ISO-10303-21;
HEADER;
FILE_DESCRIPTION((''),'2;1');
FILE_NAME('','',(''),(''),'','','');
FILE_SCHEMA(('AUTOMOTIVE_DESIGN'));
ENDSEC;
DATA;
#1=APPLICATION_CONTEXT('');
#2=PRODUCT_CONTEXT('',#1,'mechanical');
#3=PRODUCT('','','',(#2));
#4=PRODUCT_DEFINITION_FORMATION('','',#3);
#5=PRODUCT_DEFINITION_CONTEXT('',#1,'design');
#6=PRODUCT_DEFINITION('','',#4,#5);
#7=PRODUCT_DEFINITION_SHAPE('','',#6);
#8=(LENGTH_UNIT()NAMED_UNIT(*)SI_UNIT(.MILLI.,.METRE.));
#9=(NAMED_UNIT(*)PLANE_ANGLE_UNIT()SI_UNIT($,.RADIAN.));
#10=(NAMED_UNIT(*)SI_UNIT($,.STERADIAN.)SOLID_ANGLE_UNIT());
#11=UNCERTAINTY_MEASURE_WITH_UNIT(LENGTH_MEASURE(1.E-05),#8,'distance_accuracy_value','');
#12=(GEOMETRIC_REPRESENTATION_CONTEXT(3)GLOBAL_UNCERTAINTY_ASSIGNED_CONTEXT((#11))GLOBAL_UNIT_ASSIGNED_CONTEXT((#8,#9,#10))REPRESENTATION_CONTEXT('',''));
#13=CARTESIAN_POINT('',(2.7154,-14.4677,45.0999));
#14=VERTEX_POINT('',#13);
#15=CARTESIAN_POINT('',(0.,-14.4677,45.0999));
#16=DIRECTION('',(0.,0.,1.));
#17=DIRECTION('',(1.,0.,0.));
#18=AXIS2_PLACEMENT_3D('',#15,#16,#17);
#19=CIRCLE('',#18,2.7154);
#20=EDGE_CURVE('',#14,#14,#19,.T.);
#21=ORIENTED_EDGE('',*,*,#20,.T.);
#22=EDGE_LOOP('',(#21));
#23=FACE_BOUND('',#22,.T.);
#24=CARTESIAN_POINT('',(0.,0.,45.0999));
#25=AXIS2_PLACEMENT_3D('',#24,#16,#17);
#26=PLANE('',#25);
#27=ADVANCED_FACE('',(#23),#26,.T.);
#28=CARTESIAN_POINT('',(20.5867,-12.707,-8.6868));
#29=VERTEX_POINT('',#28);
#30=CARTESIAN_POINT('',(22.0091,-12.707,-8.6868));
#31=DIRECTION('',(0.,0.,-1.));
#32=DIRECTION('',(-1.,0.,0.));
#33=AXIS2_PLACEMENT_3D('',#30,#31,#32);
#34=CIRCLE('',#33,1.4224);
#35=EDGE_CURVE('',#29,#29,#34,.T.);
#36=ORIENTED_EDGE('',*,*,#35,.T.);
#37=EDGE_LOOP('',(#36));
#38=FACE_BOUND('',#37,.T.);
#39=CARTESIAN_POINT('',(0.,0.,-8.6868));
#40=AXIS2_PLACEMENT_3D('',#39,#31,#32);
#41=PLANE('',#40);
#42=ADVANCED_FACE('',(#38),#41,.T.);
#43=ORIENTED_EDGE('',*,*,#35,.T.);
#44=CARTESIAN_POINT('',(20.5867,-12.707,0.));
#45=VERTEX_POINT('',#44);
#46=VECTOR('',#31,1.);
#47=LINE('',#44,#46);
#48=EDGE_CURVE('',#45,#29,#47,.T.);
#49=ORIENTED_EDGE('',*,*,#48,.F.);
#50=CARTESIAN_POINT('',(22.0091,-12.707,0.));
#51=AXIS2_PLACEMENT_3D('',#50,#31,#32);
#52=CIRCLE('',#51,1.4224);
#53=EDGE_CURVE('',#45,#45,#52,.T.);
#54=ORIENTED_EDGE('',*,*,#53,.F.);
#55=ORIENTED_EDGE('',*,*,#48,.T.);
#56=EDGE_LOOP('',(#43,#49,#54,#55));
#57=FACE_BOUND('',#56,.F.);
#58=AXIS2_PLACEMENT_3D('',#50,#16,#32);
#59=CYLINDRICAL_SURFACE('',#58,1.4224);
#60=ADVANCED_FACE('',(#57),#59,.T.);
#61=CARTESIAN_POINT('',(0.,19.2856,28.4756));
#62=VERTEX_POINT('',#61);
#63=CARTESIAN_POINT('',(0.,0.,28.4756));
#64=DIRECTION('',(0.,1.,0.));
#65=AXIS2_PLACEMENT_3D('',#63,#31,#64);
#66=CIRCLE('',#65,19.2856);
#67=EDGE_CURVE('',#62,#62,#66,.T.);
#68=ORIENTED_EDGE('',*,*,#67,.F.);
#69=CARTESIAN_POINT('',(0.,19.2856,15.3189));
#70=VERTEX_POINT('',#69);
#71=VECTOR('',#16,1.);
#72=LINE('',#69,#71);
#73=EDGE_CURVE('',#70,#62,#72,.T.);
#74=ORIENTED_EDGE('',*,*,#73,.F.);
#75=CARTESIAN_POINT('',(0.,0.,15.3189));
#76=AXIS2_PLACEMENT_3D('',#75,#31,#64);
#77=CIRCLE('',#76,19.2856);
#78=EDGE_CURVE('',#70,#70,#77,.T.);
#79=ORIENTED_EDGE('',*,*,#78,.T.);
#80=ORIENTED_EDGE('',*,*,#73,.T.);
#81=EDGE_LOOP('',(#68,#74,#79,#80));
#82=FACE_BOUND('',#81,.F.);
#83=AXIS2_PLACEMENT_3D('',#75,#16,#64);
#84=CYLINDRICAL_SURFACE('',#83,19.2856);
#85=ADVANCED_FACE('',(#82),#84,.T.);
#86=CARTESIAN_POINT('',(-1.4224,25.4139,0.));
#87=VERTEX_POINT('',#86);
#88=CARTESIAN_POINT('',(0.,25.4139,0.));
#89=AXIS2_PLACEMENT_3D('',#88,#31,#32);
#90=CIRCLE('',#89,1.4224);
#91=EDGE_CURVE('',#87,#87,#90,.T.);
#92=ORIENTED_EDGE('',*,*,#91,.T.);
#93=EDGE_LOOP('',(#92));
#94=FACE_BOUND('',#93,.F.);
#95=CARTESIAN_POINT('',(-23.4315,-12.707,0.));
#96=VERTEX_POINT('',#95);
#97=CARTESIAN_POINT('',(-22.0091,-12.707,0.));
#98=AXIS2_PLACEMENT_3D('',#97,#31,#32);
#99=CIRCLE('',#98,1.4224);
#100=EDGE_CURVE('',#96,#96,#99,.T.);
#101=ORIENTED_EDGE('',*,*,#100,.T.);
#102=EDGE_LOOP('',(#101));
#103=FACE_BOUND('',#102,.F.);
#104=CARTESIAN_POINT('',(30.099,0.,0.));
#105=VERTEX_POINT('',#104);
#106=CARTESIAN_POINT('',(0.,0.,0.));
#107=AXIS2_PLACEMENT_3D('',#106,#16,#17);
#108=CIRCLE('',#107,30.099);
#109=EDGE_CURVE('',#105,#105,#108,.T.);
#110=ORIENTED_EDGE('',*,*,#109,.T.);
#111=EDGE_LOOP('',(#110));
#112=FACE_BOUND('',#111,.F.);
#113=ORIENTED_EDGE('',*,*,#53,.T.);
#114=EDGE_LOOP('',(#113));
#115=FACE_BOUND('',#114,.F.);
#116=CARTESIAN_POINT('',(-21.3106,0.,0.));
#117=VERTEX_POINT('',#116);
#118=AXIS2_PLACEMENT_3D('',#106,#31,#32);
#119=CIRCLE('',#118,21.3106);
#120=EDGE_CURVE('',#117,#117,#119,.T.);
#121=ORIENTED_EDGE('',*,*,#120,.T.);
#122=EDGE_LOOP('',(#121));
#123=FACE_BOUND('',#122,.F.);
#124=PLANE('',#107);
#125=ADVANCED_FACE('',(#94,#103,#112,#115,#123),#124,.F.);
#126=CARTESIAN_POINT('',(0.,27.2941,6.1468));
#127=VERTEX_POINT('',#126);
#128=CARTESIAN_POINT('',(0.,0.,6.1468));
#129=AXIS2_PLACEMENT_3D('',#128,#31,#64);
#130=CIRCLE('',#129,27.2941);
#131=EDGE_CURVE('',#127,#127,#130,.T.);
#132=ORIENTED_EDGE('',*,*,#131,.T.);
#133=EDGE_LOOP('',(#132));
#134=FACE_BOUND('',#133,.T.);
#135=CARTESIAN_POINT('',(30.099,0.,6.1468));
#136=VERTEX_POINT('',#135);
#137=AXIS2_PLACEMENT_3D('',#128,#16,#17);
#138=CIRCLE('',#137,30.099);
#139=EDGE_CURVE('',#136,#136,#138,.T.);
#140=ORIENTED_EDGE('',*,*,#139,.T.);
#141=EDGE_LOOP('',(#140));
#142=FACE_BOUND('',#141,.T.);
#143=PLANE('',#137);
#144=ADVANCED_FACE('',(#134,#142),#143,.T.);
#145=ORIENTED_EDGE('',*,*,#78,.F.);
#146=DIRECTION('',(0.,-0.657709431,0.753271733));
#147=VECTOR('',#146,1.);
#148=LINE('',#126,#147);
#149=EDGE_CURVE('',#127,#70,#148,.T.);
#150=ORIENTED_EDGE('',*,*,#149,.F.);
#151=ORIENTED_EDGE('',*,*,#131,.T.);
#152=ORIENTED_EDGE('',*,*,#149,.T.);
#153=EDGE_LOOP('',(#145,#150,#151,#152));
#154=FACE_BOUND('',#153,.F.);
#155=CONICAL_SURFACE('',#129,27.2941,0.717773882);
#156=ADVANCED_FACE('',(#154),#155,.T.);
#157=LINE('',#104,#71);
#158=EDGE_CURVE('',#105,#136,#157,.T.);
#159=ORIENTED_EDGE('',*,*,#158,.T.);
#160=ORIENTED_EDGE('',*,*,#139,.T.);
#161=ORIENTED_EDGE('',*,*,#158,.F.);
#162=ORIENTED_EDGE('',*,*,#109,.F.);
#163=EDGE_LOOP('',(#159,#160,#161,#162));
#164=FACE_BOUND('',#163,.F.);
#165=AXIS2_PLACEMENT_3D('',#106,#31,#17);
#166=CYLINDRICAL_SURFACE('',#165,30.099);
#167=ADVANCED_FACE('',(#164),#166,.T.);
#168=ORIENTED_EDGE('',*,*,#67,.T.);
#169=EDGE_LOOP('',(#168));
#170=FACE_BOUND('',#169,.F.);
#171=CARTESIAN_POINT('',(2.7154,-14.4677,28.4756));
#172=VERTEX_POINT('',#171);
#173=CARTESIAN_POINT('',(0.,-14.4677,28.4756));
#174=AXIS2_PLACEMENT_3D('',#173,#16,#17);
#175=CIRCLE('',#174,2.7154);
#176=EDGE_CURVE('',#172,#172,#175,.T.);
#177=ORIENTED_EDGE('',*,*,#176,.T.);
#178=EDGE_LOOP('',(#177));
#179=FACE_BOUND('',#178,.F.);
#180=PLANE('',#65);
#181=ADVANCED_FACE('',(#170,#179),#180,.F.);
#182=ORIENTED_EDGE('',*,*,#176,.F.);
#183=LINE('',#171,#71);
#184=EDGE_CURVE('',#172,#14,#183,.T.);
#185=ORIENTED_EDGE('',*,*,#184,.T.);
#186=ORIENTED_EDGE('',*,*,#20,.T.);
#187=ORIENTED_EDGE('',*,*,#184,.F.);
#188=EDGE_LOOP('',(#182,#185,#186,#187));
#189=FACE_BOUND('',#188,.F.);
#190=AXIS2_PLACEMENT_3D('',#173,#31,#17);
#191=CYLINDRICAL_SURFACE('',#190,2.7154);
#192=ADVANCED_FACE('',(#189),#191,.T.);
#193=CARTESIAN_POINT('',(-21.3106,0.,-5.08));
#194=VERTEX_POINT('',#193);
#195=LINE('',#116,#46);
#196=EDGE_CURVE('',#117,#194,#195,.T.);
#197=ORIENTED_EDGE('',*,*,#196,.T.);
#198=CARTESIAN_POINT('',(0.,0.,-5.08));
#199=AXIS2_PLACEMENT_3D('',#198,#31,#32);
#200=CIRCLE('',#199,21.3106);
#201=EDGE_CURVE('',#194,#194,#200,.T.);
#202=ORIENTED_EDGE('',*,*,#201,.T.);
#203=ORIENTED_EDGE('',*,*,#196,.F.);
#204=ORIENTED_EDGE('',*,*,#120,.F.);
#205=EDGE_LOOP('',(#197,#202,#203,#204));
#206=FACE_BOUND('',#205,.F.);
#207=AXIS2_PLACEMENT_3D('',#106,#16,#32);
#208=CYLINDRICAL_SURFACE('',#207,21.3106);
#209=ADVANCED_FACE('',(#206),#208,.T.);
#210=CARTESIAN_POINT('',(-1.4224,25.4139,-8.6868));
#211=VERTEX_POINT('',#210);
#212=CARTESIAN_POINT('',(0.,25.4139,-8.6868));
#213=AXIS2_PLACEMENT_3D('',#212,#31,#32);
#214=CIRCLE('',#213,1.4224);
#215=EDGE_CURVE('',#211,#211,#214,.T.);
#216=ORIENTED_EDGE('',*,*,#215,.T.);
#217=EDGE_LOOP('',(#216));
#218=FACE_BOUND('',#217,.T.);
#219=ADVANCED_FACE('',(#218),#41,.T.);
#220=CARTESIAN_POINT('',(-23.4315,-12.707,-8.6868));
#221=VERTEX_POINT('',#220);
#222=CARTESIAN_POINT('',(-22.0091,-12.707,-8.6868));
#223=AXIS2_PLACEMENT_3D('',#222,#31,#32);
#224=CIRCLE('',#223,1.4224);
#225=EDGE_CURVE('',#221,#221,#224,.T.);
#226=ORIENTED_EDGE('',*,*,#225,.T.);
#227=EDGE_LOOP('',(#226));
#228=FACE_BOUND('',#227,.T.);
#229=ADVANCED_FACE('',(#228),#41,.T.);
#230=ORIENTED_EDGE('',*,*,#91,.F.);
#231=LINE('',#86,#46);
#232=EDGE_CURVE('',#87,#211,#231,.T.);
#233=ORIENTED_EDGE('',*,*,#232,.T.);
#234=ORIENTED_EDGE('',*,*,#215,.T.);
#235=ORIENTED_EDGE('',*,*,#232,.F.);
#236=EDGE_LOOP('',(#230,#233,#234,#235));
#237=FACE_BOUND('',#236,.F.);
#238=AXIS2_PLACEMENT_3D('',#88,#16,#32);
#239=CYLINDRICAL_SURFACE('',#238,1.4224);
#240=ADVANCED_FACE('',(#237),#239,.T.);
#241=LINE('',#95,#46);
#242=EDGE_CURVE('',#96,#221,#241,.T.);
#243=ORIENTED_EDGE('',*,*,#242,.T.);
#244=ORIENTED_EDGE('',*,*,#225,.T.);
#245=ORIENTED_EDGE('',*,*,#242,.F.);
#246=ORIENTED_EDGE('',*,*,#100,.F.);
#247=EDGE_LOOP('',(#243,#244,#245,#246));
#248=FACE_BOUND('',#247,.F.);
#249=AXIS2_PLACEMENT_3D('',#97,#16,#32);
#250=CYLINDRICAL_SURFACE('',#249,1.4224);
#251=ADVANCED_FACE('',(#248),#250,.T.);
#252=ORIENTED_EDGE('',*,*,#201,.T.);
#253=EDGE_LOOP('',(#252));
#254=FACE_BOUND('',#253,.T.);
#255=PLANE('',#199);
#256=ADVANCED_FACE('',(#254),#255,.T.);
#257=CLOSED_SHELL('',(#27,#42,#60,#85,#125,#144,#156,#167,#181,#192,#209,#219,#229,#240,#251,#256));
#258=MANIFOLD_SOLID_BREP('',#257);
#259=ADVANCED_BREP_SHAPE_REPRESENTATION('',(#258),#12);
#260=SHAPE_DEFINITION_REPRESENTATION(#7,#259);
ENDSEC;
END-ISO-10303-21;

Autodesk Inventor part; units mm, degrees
ref_plane "YZ Plane" through (0, 0, 0) normal (1, 0, 0) x (0, 1, 0)
ref_plane "XZ Plane" through (0, 0, 0) normal (0, 1, 0) x (-1, 0, 0)
ref_plane "XY Plane" through (0, 0, 0) normal (0, 0, 1) x (1, 0, 0)
sketch "Sketch1" plane through (0, 0, 0) normal (0, 0, 1) x (1, 0, 0)
  circle A0 centre (0, 0) radius 30.099
  dimension "d0" = 60.198
extrude "Extrusion1" add sketch "Sketch1" along normal blind 6.1468
sketch "Sketch2" plane through (0, 0, 0) normal (0, 0, -1) x (-1, 0, 0)
  circle A0 centre (0, 0) radius 21.3106
  dimension "d3" = 42.6212
extrude "Extrusion2" add sketch "Sketch2" along normal blind 5.08
sketch "Sketch3" plane through (0, 0, 0) normal (0, 0, -1) x (-1, 0, 0)
  circle A0 centre (0, 0) radius 21.3106 projected
  circle A1 centre (0, 0) radius 30.099 projected
  line L0 (0, 25.4139) -> (22.0091, -12.707) construction
  line L1 (22.0091, -12.707) -> (-22.0091, -12.707) construction
  line L2 (-22.0091, -12.707) -> (0, 25.4139) construction
  circle A2 centre (0, 25.4139) radius 1.4224
  circle A3 centre (22.0091, -12.707) radius 1.4224
  circle A4 centre (-22.0091, -12.707) radius 1.4224
  line L3 (-11.071, 20.6645) -> (5.4814, 30.221) construction
  line L4 (36.2551, -6.1245) -> (10.9127, -20.7559) construction
  dimension "d6" = 44.0182
  dimension "d7" = 2.8448
  dimension "d8" = 46.863
extrude "Extrusion3" add sketch "Sketch3" along normal blind 8.6868 contours A2 | A3 | A4
sketch "Sketch4" plane through (0, 0, 0) normal (1, 0, 0) x (0, 1, 0)
  line L0 (30.099, 6.1468) -> (-30.099, 6.1468) projected
  line L1 (27.2941, 6.1468) -> (19.2856, 15.3189)
  line L2 (19.2856, 15.3189) -> (19.2856, 28.4756)
  line L3 (19.2856, 28.4756) -> (0, 28.4756)
  line L4 (0, 28.4756) -> (0, 0)
  point P0 (0, 6.1468)
revolve "Revolution1" add sketch "Sketch4" angle 360 about axis through (0, 0, 28.4756) along (0, 0, -1)
sketch "Sketch5" plane through (0, 0, 28.4756) normal (0, 0, 1) x (1, 0, 0)
  circle A0 centre (0, -14.4677) radius 2.7154
  point P0 (0, 0)
extrude "Extrusion4" add sketch "Sketch5" along normal blind 16.6243
properties part number "MPG"
